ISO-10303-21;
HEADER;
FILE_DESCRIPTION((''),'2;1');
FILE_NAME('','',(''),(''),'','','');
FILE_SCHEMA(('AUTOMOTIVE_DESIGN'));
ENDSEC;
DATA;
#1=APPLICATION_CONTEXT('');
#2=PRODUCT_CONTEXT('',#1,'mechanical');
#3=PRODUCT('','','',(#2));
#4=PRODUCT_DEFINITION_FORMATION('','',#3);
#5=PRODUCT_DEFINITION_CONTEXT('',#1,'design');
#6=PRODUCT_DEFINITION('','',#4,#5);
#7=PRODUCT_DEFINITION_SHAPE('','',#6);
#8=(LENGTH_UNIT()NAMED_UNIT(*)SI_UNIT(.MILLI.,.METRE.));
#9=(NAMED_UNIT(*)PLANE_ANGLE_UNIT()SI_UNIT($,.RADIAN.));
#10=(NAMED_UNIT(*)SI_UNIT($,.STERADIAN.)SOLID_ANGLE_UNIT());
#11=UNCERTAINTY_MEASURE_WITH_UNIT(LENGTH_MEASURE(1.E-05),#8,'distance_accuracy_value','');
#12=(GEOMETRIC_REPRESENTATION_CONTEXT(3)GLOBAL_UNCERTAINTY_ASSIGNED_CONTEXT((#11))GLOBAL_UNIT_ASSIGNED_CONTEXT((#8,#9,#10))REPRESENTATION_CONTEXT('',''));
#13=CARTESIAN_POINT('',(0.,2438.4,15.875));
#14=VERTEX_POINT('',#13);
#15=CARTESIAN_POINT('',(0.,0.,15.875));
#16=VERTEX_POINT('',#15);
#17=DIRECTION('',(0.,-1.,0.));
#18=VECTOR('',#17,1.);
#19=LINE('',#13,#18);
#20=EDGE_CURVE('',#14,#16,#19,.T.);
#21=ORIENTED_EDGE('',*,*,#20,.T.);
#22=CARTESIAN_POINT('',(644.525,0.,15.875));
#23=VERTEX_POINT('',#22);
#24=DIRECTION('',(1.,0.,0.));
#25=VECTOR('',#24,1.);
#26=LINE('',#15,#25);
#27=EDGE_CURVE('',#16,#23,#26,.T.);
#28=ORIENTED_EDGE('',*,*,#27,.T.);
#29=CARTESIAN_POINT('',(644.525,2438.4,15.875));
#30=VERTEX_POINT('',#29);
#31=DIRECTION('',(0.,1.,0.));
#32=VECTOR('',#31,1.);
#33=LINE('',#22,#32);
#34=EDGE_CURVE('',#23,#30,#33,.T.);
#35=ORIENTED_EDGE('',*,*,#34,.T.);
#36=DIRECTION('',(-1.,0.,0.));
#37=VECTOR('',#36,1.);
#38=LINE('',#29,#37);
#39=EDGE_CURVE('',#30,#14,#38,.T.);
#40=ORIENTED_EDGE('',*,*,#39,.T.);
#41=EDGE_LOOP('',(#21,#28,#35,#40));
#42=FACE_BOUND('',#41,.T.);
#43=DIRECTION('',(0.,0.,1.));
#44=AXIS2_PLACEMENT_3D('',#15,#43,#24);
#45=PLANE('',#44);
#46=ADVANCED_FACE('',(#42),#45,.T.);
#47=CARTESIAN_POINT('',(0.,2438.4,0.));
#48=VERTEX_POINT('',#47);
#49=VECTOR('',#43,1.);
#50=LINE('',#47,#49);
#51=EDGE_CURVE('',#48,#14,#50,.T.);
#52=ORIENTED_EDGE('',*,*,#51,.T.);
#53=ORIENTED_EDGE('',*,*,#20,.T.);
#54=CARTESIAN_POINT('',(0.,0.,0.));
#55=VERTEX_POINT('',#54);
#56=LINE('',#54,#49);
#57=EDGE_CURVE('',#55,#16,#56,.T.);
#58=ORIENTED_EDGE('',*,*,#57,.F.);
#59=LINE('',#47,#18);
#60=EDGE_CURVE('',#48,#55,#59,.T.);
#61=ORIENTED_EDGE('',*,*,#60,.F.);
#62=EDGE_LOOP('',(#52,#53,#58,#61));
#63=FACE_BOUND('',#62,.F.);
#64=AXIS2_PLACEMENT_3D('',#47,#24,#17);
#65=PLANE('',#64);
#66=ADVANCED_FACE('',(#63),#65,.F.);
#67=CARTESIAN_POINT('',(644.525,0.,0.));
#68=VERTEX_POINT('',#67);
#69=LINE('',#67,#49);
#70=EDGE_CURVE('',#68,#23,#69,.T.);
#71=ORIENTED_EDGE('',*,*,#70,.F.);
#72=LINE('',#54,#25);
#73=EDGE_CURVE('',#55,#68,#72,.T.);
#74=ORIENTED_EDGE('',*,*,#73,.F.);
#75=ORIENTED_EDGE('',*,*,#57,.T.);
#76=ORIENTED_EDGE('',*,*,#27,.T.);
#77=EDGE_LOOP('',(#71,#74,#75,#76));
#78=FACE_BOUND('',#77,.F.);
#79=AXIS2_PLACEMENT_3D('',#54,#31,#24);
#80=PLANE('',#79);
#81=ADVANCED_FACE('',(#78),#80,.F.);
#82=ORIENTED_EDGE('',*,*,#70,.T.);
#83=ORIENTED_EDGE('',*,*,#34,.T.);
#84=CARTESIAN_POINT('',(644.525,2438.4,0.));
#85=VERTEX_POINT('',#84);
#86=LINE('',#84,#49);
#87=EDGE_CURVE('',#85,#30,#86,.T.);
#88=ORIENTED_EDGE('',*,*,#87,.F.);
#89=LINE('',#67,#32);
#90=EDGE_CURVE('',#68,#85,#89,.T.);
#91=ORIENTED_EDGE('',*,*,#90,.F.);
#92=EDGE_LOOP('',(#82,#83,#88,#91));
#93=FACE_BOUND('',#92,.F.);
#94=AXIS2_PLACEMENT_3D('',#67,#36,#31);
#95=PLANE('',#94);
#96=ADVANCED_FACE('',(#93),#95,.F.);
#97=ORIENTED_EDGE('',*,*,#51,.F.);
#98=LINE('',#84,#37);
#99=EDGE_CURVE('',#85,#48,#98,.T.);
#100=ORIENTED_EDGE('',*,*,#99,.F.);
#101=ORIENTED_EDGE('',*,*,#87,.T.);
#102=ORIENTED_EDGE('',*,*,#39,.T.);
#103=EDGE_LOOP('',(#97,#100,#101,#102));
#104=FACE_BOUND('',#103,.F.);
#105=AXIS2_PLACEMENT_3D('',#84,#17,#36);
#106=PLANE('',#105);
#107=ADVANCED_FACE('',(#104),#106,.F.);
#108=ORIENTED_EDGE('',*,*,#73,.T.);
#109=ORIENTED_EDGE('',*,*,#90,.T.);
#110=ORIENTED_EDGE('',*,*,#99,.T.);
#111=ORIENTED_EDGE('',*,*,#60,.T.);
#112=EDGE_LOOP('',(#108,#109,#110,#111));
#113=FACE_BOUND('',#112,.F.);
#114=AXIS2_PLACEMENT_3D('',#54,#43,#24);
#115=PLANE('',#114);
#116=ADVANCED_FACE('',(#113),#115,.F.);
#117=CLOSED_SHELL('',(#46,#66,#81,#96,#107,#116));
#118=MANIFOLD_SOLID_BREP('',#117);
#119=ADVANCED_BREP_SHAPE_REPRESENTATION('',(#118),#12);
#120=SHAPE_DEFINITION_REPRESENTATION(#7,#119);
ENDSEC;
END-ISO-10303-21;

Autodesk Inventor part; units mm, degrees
ref_plane "YZ Plane" through (0, 0, 0) normal (1, 0, 0) x (0, 1, 0)
ref_plane "XZ Plane" through (0, 0, 0) normal (0, 1, 0) x (-1, 0, 0)
ref_plane "XY Plane" through (0, 0, 0) normal (0, 0, 1) x (1, 0, 0)
sketch "Sketch1" plane through (0, 0, 0) normal (0, 0, 1) x (1, 0, 0)
  line L0 (0, 0) -> (644.525, 0)
  line L1 (644.525, 0) -> (644.525, 2438.4)
  line L2 (644.525, 2438.4) -> (0, 2438.4)
  line L3 (0, 2438.4) -> (0, 0)
  dimension "d2" = 2438.4
  dimension "d3" = 644.525
extrude "Extrusion1" add sketch "Sketch1" along normal blind 15.875
properties part number "DensGlass_With_Dimensions_25.5_x_96_Inches" material "Wood (Birch)"
